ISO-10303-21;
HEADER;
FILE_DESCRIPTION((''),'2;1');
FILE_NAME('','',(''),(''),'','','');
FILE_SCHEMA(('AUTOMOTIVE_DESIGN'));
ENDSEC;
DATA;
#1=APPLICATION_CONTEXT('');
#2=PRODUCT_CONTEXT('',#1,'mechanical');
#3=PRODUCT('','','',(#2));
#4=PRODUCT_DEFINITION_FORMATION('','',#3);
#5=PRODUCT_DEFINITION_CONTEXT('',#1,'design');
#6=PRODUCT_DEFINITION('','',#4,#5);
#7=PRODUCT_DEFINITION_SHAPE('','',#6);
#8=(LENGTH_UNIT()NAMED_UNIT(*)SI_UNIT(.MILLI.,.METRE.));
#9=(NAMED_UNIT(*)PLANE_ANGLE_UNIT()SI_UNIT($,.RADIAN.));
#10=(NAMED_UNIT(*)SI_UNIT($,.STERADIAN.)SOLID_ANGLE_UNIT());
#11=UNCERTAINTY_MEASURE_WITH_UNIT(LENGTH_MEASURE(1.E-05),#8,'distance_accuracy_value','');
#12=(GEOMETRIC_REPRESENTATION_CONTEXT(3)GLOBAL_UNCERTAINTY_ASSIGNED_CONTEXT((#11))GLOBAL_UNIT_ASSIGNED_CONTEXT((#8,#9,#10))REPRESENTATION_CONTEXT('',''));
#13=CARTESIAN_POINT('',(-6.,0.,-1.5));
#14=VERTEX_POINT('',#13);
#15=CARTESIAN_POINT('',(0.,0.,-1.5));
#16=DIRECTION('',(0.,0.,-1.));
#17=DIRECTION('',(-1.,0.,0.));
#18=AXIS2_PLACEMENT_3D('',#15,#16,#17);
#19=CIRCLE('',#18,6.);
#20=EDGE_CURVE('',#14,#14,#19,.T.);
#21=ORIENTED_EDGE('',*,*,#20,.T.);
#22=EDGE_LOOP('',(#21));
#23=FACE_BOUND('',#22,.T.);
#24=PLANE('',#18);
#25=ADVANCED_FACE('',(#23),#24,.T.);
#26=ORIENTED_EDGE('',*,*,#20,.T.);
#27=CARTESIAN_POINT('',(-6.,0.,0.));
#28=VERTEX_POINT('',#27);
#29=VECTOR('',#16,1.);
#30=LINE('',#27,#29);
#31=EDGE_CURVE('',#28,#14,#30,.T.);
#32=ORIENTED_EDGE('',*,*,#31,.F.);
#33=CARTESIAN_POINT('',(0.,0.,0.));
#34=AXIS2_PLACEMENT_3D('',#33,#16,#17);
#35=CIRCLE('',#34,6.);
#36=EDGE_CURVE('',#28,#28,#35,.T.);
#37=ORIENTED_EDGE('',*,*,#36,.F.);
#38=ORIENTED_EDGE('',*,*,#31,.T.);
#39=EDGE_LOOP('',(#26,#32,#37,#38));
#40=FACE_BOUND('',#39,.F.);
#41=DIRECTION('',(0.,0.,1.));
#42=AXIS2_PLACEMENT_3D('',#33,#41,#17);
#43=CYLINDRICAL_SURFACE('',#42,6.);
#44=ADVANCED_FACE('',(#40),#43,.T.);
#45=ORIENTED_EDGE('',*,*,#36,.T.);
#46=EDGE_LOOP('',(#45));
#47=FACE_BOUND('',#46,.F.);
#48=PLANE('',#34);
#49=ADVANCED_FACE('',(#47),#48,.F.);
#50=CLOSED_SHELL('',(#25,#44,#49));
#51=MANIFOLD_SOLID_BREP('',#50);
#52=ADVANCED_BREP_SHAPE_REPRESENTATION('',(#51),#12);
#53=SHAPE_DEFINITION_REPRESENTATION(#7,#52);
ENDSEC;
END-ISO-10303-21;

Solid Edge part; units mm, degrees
sketch "Sketch1" plane through (0, 0, 0) normal (0, 0, -1) x (-1, 0, 0)
  circle A0 centre (0, 0) radius 6
extrude "Protrusion1" add sketch "Sketch1" along normal blind 1.5
properties material "PVC"
